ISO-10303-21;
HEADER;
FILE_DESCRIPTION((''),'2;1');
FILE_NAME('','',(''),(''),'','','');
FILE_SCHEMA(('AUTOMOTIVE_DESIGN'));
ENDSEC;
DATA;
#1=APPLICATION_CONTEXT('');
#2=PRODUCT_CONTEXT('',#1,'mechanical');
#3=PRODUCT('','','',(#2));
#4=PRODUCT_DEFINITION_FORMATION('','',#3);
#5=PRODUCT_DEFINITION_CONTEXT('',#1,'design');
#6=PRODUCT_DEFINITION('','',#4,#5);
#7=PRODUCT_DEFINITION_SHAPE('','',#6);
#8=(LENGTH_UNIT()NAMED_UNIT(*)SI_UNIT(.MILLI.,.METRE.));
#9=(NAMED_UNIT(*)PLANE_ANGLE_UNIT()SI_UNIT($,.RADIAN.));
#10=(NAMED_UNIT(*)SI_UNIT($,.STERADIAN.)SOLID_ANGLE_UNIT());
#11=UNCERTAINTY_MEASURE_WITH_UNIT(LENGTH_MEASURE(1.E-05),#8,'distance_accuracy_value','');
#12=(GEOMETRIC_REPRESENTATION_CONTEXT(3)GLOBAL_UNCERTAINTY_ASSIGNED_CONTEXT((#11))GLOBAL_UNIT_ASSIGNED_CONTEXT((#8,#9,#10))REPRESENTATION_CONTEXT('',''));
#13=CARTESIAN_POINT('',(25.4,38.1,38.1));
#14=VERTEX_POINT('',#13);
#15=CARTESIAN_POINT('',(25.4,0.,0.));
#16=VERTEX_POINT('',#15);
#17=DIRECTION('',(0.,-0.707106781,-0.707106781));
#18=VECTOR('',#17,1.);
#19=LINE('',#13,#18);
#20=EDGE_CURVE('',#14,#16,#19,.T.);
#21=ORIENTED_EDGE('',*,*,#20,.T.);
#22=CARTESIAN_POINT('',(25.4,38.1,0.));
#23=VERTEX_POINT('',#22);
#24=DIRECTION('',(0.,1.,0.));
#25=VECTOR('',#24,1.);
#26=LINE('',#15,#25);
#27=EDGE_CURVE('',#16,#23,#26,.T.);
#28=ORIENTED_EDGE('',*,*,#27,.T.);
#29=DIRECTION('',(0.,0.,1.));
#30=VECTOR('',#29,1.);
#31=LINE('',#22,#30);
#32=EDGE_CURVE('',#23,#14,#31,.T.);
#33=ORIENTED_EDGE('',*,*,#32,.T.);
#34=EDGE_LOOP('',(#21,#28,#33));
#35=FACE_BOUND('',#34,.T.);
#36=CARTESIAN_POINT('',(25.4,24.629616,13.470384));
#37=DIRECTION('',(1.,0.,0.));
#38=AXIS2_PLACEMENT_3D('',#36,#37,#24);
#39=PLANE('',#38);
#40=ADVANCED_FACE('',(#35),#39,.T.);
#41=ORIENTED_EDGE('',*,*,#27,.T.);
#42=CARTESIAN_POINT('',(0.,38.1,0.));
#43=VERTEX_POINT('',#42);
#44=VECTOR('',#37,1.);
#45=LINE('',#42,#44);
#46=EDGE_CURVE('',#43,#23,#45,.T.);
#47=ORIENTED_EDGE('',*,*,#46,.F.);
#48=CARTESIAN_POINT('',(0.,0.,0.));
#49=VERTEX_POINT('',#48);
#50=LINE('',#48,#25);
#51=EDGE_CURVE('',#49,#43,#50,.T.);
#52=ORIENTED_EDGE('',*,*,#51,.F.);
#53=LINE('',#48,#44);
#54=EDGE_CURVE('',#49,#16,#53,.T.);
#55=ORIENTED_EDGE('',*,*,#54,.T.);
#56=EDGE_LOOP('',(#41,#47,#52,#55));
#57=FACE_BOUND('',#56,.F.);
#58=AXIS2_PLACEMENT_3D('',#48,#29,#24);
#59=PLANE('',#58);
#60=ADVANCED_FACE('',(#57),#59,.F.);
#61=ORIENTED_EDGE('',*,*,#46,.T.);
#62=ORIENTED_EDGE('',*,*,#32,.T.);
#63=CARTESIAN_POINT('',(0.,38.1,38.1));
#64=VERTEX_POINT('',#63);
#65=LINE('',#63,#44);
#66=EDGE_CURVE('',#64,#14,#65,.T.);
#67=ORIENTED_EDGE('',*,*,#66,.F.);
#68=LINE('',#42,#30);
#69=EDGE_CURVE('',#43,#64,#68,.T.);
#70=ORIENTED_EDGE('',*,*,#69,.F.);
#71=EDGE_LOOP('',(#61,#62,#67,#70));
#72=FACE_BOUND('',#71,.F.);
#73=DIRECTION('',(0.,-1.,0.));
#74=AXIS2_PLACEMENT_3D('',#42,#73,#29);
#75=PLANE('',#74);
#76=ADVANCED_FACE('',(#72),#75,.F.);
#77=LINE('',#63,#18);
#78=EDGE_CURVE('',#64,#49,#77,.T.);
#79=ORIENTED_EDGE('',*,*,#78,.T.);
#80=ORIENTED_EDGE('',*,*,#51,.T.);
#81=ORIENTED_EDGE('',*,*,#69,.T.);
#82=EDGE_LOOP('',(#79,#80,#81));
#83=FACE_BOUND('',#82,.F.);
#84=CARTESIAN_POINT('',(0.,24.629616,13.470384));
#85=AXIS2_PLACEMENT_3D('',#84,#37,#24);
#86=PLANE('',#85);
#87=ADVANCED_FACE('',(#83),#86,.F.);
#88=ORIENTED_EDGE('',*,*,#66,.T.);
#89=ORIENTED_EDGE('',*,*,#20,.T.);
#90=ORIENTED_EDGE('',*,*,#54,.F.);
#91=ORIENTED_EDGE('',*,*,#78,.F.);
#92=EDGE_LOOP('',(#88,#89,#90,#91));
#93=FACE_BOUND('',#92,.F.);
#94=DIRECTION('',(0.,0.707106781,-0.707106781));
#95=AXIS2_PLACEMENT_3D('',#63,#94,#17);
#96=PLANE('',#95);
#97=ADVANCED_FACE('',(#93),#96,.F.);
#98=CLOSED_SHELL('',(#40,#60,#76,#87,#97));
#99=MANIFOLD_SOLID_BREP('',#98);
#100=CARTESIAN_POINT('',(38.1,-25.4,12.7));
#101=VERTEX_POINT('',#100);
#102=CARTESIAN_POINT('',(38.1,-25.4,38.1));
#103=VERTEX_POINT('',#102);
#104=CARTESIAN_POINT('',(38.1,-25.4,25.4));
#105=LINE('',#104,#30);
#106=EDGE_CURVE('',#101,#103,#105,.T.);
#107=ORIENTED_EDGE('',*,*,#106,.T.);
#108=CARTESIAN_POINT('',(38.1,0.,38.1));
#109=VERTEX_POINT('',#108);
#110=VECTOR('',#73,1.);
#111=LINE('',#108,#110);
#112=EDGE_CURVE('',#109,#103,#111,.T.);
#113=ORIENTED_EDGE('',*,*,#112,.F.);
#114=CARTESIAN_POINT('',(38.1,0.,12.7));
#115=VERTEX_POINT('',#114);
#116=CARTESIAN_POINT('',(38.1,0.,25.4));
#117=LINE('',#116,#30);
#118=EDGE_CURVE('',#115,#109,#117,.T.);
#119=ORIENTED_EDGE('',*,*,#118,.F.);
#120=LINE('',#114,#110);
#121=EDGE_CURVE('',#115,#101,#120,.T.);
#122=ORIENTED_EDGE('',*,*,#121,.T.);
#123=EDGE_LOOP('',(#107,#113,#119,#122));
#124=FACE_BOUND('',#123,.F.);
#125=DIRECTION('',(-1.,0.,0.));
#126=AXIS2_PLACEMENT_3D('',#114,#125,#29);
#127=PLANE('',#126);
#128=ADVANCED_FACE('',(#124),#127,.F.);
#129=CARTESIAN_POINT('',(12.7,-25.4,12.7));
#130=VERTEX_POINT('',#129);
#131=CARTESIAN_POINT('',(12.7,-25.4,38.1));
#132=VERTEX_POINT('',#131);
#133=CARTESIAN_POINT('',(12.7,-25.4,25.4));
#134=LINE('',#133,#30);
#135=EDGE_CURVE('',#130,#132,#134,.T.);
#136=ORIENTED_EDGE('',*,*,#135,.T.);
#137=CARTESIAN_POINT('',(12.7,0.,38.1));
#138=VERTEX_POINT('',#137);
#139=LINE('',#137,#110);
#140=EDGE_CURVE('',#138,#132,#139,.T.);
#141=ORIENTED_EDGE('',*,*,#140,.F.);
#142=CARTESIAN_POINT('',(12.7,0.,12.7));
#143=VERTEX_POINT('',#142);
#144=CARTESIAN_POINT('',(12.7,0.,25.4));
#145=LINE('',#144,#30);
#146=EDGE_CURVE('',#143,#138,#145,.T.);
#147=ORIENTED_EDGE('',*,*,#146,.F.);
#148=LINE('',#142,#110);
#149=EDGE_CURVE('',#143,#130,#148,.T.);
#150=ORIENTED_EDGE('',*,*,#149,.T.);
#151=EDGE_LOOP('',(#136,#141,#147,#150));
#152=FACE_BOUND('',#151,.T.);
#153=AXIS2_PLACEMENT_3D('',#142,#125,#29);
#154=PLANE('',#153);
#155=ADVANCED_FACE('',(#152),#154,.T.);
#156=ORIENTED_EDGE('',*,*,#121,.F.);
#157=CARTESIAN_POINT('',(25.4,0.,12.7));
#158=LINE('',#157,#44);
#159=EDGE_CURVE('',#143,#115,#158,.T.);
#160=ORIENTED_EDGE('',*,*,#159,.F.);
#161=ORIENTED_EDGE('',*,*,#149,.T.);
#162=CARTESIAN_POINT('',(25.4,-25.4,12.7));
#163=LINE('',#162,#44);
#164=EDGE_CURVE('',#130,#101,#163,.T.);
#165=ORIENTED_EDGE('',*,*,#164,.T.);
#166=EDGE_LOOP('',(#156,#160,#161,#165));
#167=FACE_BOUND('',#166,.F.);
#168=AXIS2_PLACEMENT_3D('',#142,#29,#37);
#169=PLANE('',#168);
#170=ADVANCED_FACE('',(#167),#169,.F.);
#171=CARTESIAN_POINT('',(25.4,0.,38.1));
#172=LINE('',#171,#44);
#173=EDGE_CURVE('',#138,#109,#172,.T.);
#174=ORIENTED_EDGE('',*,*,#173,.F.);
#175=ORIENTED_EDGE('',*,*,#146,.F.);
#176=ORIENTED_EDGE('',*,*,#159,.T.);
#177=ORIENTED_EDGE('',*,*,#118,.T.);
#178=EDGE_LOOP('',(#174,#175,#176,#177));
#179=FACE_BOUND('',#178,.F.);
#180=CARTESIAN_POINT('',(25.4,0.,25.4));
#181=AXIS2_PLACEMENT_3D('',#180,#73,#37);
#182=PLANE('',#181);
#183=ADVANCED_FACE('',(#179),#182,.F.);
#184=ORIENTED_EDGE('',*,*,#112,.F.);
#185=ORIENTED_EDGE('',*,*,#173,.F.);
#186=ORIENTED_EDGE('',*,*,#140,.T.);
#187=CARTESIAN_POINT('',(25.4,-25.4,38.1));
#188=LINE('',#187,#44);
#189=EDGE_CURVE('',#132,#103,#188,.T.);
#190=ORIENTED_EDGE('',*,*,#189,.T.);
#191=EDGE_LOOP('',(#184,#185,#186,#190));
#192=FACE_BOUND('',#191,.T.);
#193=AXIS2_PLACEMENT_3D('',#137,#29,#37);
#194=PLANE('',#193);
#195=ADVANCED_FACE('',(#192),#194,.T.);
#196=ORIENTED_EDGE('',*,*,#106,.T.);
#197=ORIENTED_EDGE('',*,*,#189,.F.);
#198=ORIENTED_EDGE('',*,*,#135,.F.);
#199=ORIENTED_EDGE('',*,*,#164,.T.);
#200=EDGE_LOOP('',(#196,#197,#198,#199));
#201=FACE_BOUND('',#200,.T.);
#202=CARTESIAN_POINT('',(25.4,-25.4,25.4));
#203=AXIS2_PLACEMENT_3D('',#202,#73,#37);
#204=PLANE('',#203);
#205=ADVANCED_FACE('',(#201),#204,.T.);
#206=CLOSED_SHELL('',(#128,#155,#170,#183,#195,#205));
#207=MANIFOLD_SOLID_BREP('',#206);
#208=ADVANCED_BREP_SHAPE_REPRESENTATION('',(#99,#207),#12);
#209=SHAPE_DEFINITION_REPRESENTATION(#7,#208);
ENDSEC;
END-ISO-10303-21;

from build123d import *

# Parameters (mm, degrees)
F2_DEPTH = 25.4
F0_W     = 25.4
F0_H     = 25.4
F3_DEPTH = 25.4


with BuildPart() as f2:
    # F1 (on Right) → F2 (new body)
    with BuildSketch(Plane.YZ):
        Polygon((38.1, 38.1), (0, 0), (38.1, 0), align=None)
    extrude(amount=F2_DEPTH)


with BuildPart() as f3:
    # F0 (on Front) → F3 (new body)
    with BuildSketch(Plane.XZ):
        with Locations((25.4, 25.4)):
            Rectangle(F0_W, F0_H)
    extrude(amount=F3_DEPTH)


solid = Compound([f2.part, f3.part])
